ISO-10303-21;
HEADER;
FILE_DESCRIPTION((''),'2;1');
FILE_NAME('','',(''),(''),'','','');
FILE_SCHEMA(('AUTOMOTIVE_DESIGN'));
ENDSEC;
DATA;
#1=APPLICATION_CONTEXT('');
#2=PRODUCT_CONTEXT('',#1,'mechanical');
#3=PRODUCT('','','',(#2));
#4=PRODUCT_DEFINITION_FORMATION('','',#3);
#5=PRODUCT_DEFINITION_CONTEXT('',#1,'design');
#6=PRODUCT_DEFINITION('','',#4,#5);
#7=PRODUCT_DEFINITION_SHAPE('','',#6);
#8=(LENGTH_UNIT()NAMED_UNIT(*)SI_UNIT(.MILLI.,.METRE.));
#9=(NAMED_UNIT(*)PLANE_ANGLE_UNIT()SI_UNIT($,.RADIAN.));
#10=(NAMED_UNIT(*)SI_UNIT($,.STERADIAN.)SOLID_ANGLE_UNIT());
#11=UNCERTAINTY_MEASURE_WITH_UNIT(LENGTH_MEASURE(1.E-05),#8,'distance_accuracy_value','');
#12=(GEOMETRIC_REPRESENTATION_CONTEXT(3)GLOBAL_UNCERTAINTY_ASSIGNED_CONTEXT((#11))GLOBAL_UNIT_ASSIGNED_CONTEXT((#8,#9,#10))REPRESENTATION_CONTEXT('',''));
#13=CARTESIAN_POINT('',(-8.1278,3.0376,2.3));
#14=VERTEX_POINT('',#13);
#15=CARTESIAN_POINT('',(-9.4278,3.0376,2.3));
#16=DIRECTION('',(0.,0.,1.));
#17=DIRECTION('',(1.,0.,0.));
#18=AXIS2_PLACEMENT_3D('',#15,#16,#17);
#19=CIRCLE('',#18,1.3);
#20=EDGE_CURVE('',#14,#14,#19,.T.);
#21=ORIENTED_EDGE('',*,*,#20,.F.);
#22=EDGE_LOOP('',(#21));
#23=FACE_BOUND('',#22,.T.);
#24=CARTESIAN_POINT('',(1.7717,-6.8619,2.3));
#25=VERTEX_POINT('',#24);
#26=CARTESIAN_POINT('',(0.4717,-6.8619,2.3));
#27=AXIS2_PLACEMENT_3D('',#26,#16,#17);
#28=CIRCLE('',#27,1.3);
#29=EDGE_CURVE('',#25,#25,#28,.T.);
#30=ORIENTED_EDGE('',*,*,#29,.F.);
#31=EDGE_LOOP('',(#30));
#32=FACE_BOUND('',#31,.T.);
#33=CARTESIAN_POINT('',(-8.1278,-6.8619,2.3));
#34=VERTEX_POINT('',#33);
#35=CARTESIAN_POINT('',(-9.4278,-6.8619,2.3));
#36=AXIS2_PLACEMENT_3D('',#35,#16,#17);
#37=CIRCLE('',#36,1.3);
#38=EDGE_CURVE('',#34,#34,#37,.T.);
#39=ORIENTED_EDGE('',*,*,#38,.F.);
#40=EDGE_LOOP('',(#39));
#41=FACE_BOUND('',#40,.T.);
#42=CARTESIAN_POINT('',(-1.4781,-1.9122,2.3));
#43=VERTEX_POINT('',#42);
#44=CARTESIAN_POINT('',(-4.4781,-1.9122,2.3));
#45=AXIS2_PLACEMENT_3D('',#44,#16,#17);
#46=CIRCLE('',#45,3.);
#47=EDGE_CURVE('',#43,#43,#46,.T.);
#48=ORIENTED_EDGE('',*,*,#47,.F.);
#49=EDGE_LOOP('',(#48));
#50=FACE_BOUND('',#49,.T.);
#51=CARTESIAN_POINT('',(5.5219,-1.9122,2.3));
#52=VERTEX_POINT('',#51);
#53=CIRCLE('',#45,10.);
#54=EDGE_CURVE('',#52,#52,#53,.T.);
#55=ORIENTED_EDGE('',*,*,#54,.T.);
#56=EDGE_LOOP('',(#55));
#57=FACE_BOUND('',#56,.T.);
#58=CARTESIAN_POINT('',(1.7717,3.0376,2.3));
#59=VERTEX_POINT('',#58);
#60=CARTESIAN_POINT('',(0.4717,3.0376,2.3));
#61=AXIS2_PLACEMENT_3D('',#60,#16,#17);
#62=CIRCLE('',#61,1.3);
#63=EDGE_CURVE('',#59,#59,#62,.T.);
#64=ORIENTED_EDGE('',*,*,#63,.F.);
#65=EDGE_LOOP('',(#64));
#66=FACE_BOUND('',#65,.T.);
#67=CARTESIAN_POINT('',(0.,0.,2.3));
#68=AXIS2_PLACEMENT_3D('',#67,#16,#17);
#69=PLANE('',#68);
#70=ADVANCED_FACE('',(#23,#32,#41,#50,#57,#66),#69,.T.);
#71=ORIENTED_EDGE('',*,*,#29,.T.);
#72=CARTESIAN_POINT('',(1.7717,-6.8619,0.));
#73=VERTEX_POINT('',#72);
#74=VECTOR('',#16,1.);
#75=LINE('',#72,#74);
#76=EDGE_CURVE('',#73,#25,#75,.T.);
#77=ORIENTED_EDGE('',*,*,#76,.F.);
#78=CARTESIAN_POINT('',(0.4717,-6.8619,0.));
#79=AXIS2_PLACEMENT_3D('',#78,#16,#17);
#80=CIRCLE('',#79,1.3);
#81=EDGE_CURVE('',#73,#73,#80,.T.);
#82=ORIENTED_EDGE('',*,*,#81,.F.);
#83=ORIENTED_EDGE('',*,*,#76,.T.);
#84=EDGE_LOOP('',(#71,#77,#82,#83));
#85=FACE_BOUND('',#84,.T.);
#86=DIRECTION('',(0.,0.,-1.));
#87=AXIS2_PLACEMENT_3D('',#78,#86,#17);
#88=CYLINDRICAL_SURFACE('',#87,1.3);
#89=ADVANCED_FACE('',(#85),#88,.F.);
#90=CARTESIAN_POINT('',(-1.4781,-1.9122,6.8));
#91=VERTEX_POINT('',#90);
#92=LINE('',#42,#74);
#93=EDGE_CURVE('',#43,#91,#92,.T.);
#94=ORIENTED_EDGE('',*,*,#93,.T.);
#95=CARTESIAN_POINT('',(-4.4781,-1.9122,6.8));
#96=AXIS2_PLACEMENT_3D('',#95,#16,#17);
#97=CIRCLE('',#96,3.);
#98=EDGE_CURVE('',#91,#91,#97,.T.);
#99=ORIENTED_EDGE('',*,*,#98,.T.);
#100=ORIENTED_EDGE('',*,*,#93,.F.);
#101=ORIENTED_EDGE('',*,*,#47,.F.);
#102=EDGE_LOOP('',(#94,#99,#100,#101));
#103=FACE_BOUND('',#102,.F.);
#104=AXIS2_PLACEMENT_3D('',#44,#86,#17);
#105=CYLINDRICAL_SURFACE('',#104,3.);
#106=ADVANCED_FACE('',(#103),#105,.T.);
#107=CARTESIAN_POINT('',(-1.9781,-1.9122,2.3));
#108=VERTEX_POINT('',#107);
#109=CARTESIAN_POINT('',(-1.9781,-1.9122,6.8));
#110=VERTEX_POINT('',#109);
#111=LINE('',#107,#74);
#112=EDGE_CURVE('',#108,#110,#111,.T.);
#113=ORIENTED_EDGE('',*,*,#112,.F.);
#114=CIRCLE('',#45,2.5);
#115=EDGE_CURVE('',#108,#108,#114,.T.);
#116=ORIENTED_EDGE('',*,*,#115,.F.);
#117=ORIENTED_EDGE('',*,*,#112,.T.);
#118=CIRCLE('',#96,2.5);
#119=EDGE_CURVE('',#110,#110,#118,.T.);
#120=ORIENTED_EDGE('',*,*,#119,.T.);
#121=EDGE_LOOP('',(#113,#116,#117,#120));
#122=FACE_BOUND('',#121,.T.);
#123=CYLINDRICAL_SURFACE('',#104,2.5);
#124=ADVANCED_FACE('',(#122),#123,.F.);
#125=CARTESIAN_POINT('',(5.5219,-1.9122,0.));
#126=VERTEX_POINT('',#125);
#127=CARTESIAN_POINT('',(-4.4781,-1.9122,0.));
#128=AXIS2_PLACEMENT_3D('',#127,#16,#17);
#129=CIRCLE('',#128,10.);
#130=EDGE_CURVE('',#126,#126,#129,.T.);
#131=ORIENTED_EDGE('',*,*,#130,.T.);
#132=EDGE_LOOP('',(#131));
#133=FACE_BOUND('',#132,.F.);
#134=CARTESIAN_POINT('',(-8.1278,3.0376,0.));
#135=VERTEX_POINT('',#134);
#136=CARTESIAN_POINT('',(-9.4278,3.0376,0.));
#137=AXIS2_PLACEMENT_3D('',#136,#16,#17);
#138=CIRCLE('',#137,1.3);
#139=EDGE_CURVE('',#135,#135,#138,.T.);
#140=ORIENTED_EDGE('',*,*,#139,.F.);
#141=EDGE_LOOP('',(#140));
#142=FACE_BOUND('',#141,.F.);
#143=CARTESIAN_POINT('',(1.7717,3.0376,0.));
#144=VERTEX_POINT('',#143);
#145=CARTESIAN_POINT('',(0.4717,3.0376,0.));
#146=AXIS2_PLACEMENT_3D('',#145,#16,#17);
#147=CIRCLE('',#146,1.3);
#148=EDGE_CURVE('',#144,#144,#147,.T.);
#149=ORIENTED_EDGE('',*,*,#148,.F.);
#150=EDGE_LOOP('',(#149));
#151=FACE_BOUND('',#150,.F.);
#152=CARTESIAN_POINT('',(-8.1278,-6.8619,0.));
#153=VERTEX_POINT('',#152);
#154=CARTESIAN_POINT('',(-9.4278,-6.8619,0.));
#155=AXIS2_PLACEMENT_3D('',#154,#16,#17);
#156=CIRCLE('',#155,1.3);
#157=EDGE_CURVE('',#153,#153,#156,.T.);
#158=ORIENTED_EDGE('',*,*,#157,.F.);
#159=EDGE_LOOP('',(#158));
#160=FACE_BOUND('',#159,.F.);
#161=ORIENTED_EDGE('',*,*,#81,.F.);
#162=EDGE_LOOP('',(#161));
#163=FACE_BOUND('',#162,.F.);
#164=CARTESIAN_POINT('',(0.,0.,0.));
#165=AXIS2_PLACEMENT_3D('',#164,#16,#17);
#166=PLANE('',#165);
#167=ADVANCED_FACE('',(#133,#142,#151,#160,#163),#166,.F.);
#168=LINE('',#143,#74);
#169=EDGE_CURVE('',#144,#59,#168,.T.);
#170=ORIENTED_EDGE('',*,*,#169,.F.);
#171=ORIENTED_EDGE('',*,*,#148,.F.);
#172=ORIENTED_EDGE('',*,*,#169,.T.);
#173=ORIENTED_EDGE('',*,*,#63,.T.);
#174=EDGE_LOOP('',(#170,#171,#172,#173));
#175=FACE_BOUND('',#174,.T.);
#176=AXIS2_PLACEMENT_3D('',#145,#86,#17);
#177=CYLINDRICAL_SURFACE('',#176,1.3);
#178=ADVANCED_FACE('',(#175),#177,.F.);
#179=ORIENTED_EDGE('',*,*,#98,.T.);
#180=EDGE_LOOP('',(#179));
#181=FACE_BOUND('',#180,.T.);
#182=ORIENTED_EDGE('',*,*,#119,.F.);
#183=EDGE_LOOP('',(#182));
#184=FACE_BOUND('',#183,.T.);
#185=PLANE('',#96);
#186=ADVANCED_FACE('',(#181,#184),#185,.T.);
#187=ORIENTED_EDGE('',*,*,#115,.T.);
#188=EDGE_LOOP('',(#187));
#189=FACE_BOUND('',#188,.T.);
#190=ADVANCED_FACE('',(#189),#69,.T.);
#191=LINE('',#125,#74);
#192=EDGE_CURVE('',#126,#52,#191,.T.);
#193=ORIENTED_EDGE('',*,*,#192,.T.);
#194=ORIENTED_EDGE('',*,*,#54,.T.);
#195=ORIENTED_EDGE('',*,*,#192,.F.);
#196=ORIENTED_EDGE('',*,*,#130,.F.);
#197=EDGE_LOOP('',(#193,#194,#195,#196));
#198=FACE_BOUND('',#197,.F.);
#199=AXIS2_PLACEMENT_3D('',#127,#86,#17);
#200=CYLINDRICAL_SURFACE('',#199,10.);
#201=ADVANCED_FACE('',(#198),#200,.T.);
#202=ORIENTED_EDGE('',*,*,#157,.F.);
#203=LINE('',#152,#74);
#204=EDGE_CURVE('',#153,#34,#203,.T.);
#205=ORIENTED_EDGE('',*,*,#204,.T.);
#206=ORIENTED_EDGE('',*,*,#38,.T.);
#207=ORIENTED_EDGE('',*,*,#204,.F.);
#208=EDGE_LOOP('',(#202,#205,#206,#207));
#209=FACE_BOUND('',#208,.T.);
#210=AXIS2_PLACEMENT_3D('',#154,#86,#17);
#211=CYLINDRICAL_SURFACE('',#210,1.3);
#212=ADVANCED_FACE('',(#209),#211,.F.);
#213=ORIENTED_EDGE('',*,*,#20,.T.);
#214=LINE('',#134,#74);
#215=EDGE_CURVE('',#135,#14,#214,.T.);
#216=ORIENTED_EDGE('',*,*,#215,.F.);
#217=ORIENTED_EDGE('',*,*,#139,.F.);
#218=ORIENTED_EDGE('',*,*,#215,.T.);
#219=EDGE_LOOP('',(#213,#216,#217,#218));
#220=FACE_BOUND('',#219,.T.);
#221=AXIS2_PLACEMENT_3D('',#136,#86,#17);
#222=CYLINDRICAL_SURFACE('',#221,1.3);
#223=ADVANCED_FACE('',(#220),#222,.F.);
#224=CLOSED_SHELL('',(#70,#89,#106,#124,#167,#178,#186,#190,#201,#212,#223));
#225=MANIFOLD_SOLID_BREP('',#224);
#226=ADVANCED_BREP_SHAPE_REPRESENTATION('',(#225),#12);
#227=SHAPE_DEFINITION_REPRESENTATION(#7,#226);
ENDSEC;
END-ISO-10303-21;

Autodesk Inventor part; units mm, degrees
ref_plane "YZ Plane" through (0, 0, 0) normal (1, 0, 0) x (0, 1, 0)
ref_plane "XZ Plane" through (0, 0, 0) normal (0, 1, 0) x (-1, 0, 0)
ref_plane "XY Plane" through (0, 0, 0) normal (0, 0, 1) x (1, 0, 0)
sketch "스케치1" plane through (0, 0, 0) normal (0, 0, 1) x (1, 0, 0)
  circle A0 centre (0.4717, -6.8619) radius 1.3
  circle A1 centre (0.4717, 3.0376) radius 1.3
  circle A2 centre (-9.4278, 3.0376) radius 1.3
  circle A3 centre (-9.4278, -6.8619) radius 1.3
  circle A4 centre (-4.4781, -1.9122) radius 10
  circle A5 centre (-4.4781, -1.9122) radius 5.5
  circle A6 centre (-4.4781, -1.9122) radius 10 projected
  circle A7 centre (0.4717, -6.8619) radius 1.3 projected
  circle A8 centre (0.4717, 3.0376) radius 1.3 projected
  circle A9 centre (-9.4278, 3.0376) radius 1.3 projected
  circle A10 centre (-9.4278, -6.8619) radius 1.3 projected
  point P0 (0, 0)
  dimension "d6" = 20
  dimension "d7" = 11
  dimension "d8" = 2.6
  dimension "d9" = 2.6
  dimension "d10" = 2.6
  dimension "d11" = 2.6
extrude "돌출1" add sketch "스케치1" along normal blind 2.3 contours A4 | A5
sketch "스케치2" plane through (-4.4781, -1.9122, 2.3) normal (0, 0, 1) x (1, 0, 0)
  circle A0 centre (0, 0) radius 10 projected
  circle A1 centre (0, 0) radius 3
  circle A2 centre (0, 0) radius 2.5
  dimension "d2" = 6
  dimension "d5" = 5
extrude "돌출2" add sketch "스케치2" along normal blind 4.5 contours A1
properties part number "pitch_motor1"
